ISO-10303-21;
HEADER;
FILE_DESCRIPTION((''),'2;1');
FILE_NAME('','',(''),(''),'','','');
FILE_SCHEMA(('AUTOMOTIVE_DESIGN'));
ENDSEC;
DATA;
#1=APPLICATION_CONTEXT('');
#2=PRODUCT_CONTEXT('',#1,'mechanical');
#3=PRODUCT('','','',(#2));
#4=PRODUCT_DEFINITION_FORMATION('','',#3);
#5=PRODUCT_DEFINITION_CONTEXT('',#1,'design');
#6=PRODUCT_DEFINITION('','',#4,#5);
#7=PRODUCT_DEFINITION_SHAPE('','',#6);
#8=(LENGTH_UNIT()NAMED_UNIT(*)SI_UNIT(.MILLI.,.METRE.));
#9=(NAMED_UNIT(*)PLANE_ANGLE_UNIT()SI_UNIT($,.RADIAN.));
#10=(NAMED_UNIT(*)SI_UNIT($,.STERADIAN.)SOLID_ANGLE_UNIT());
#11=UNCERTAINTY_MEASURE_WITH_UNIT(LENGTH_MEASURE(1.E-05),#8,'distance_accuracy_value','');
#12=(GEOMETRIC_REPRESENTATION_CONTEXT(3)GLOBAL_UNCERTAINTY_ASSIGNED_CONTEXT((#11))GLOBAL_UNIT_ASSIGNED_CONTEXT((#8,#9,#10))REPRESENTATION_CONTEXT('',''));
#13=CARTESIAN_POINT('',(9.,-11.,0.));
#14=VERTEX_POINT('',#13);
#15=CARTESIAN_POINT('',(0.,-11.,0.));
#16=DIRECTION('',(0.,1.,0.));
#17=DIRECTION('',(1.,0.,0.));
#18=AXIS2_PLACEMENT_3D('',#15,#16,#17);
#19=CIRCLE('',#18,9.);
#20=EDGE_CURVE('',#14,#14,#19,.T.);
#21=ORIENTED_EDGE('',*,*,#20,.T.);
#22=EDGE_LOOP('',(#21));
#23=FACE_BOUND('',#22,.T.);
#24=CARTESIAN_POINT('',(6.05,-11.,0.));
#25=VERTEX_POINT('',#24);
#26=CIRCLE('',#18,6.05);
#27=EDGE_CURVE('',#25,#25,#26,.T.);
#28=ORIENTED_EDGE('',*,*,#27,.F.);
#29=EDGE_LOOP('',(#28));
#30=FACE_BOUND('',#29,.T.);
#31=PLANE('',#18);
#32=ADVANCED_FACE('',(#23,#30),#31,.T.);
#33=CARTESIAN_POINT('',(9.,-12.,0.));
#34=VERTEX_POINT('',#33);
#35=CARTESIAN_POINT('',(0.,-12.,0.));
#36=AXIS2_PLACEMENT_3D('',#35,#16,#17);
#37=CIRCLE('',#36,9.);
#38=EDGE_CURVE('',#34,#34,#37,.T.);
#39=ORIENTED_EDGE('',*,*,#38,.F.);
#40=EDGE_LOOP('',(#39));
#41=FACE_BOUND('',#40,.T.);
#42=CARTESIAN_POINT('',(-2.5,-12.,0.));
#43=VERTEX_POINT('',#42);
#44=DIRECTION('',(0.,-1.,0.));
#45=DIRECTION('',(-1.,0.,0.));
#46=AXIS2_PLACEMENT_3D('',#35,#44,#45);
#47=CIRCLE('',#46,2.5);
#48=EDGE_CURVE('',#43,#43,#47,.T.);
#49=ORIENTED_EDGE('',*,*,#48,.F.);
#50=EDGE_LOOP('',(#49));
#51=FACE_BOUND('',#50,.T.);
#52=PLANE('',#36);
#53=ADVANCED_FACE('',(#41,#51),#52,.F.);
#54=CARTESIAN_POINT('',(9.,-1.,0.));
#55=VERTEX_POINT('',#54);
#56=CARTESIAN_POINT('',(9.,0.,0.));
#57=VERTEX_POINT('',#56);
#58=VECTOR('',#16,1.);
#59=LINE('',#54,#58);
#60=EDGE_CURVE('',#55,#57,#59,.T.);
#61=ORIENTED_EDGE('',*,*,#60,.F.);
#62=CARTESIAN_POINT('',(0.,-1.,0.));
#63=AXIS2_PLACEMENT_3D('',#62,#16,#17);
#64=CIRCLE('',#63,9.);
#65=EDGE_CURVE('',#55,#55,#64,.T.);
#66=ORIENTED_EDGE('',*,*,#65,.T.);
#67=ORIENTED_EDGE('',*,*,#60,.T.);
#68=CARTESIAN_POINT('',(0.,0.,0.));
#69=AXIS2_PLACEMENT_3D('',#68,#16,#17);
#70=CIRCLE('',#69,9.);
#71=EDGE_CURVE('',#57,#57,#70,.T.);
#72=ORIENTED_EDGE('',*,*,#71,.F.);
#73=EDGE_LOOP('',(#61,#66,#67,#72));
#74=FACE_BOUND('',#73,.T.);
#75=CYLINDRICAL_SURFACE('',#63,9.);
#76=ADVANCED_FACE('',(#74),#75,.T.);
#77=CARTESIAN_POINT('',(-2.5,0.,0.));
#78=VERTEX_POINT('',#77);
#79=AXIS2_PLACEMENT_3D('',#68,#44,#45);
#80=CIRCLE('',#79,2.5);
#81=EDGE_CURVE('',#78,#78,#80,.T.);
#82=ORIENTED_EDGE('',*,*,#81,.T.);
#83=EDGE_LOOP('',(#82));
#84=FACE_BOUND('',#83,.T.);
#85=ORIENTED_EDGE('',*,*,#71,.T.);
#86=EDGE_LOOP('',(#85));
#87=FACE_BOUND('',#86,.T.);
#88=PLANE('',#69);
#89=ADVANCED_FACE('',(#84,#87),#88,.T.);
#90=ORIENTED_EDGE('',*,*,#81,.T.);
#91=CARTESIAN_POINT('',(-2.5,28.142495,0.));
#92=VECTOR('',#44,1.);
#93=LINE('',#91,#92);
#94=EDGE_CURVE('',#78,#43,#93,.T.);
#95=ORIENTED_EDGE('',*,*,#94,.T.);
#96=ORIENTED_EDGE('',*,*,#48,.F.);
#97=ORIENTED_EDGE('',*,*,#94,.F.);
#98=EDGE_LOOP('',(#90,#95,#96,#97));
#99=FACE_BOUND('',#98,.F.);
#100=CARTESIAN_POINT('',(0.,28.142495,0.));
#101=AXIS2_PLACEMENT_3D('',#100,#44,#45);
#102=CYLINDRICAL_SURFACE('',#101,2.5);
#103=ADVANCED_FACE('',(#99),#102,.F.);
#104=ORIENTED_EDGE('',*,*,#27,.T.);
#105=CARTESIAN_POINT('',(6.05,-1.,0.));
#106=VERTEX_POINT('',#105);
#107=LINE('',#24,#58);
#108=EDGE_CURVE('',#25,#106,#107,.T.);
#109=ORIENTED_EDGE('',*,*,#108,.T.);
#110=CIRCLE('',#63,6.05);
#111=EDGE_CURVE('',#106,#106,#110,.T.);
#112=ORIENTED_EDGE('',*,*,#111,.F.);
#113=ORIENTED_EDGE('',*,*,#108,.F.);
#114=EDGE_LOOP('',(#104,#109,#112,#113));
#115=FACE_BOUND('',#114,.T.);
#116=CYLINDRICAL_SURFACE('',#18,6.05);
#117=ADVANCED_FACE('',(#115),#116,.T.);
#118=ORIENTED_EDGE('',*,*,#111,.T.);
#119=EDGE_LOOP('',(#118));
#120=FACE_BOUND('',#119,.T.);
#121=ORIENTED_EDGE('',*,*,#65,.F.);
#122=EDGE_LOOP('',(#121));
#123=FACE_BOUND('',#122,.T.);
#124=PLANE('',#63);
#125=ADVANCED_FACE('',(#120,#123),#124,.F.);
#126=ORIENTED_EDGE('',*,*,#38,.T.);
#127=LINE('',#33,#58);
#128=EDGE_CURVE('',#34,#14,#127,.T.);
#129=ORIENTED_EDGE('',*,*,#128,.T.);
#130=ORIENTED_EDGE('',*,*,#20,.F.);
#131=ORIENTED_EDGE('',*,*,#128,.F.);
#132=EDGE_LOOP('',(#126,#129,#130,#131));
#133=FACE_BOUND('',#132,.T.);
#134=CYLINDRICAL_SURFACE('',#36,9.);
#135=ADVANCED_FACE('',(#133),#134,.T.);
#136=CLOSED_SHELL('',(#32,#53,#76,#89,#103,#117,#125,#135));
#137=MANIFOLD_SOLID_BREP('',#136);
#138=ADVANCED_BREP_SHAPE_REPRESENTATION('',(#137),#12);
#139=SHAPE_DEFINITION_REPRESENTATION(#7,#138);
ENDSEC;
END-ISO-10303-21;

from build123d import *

# Parameters (mm, degrees)
F3_D = 5


with BuildPart() as f1:
    # F0 (on Top) → F1 (revolve)
    with BuildSketch(Plane.XY):
        Polygon((9, 0), (0, 0), (0, -12), (9, -12), (9, -11), (6.05, -11), (6.05, -1), (9, -1), align=None)
    revolve(axis=Axis((0, -6, 0), (0, 1, 0)))

    # F3 (through all)
    with Locations(Plane(origin=(0, 0, 0), x_dir=(1, 0, 0), z_dir=(0, 1, 0))):
        with Locations((0, 0)):
            Hole(F3_D / 2)


solid = f1.part
